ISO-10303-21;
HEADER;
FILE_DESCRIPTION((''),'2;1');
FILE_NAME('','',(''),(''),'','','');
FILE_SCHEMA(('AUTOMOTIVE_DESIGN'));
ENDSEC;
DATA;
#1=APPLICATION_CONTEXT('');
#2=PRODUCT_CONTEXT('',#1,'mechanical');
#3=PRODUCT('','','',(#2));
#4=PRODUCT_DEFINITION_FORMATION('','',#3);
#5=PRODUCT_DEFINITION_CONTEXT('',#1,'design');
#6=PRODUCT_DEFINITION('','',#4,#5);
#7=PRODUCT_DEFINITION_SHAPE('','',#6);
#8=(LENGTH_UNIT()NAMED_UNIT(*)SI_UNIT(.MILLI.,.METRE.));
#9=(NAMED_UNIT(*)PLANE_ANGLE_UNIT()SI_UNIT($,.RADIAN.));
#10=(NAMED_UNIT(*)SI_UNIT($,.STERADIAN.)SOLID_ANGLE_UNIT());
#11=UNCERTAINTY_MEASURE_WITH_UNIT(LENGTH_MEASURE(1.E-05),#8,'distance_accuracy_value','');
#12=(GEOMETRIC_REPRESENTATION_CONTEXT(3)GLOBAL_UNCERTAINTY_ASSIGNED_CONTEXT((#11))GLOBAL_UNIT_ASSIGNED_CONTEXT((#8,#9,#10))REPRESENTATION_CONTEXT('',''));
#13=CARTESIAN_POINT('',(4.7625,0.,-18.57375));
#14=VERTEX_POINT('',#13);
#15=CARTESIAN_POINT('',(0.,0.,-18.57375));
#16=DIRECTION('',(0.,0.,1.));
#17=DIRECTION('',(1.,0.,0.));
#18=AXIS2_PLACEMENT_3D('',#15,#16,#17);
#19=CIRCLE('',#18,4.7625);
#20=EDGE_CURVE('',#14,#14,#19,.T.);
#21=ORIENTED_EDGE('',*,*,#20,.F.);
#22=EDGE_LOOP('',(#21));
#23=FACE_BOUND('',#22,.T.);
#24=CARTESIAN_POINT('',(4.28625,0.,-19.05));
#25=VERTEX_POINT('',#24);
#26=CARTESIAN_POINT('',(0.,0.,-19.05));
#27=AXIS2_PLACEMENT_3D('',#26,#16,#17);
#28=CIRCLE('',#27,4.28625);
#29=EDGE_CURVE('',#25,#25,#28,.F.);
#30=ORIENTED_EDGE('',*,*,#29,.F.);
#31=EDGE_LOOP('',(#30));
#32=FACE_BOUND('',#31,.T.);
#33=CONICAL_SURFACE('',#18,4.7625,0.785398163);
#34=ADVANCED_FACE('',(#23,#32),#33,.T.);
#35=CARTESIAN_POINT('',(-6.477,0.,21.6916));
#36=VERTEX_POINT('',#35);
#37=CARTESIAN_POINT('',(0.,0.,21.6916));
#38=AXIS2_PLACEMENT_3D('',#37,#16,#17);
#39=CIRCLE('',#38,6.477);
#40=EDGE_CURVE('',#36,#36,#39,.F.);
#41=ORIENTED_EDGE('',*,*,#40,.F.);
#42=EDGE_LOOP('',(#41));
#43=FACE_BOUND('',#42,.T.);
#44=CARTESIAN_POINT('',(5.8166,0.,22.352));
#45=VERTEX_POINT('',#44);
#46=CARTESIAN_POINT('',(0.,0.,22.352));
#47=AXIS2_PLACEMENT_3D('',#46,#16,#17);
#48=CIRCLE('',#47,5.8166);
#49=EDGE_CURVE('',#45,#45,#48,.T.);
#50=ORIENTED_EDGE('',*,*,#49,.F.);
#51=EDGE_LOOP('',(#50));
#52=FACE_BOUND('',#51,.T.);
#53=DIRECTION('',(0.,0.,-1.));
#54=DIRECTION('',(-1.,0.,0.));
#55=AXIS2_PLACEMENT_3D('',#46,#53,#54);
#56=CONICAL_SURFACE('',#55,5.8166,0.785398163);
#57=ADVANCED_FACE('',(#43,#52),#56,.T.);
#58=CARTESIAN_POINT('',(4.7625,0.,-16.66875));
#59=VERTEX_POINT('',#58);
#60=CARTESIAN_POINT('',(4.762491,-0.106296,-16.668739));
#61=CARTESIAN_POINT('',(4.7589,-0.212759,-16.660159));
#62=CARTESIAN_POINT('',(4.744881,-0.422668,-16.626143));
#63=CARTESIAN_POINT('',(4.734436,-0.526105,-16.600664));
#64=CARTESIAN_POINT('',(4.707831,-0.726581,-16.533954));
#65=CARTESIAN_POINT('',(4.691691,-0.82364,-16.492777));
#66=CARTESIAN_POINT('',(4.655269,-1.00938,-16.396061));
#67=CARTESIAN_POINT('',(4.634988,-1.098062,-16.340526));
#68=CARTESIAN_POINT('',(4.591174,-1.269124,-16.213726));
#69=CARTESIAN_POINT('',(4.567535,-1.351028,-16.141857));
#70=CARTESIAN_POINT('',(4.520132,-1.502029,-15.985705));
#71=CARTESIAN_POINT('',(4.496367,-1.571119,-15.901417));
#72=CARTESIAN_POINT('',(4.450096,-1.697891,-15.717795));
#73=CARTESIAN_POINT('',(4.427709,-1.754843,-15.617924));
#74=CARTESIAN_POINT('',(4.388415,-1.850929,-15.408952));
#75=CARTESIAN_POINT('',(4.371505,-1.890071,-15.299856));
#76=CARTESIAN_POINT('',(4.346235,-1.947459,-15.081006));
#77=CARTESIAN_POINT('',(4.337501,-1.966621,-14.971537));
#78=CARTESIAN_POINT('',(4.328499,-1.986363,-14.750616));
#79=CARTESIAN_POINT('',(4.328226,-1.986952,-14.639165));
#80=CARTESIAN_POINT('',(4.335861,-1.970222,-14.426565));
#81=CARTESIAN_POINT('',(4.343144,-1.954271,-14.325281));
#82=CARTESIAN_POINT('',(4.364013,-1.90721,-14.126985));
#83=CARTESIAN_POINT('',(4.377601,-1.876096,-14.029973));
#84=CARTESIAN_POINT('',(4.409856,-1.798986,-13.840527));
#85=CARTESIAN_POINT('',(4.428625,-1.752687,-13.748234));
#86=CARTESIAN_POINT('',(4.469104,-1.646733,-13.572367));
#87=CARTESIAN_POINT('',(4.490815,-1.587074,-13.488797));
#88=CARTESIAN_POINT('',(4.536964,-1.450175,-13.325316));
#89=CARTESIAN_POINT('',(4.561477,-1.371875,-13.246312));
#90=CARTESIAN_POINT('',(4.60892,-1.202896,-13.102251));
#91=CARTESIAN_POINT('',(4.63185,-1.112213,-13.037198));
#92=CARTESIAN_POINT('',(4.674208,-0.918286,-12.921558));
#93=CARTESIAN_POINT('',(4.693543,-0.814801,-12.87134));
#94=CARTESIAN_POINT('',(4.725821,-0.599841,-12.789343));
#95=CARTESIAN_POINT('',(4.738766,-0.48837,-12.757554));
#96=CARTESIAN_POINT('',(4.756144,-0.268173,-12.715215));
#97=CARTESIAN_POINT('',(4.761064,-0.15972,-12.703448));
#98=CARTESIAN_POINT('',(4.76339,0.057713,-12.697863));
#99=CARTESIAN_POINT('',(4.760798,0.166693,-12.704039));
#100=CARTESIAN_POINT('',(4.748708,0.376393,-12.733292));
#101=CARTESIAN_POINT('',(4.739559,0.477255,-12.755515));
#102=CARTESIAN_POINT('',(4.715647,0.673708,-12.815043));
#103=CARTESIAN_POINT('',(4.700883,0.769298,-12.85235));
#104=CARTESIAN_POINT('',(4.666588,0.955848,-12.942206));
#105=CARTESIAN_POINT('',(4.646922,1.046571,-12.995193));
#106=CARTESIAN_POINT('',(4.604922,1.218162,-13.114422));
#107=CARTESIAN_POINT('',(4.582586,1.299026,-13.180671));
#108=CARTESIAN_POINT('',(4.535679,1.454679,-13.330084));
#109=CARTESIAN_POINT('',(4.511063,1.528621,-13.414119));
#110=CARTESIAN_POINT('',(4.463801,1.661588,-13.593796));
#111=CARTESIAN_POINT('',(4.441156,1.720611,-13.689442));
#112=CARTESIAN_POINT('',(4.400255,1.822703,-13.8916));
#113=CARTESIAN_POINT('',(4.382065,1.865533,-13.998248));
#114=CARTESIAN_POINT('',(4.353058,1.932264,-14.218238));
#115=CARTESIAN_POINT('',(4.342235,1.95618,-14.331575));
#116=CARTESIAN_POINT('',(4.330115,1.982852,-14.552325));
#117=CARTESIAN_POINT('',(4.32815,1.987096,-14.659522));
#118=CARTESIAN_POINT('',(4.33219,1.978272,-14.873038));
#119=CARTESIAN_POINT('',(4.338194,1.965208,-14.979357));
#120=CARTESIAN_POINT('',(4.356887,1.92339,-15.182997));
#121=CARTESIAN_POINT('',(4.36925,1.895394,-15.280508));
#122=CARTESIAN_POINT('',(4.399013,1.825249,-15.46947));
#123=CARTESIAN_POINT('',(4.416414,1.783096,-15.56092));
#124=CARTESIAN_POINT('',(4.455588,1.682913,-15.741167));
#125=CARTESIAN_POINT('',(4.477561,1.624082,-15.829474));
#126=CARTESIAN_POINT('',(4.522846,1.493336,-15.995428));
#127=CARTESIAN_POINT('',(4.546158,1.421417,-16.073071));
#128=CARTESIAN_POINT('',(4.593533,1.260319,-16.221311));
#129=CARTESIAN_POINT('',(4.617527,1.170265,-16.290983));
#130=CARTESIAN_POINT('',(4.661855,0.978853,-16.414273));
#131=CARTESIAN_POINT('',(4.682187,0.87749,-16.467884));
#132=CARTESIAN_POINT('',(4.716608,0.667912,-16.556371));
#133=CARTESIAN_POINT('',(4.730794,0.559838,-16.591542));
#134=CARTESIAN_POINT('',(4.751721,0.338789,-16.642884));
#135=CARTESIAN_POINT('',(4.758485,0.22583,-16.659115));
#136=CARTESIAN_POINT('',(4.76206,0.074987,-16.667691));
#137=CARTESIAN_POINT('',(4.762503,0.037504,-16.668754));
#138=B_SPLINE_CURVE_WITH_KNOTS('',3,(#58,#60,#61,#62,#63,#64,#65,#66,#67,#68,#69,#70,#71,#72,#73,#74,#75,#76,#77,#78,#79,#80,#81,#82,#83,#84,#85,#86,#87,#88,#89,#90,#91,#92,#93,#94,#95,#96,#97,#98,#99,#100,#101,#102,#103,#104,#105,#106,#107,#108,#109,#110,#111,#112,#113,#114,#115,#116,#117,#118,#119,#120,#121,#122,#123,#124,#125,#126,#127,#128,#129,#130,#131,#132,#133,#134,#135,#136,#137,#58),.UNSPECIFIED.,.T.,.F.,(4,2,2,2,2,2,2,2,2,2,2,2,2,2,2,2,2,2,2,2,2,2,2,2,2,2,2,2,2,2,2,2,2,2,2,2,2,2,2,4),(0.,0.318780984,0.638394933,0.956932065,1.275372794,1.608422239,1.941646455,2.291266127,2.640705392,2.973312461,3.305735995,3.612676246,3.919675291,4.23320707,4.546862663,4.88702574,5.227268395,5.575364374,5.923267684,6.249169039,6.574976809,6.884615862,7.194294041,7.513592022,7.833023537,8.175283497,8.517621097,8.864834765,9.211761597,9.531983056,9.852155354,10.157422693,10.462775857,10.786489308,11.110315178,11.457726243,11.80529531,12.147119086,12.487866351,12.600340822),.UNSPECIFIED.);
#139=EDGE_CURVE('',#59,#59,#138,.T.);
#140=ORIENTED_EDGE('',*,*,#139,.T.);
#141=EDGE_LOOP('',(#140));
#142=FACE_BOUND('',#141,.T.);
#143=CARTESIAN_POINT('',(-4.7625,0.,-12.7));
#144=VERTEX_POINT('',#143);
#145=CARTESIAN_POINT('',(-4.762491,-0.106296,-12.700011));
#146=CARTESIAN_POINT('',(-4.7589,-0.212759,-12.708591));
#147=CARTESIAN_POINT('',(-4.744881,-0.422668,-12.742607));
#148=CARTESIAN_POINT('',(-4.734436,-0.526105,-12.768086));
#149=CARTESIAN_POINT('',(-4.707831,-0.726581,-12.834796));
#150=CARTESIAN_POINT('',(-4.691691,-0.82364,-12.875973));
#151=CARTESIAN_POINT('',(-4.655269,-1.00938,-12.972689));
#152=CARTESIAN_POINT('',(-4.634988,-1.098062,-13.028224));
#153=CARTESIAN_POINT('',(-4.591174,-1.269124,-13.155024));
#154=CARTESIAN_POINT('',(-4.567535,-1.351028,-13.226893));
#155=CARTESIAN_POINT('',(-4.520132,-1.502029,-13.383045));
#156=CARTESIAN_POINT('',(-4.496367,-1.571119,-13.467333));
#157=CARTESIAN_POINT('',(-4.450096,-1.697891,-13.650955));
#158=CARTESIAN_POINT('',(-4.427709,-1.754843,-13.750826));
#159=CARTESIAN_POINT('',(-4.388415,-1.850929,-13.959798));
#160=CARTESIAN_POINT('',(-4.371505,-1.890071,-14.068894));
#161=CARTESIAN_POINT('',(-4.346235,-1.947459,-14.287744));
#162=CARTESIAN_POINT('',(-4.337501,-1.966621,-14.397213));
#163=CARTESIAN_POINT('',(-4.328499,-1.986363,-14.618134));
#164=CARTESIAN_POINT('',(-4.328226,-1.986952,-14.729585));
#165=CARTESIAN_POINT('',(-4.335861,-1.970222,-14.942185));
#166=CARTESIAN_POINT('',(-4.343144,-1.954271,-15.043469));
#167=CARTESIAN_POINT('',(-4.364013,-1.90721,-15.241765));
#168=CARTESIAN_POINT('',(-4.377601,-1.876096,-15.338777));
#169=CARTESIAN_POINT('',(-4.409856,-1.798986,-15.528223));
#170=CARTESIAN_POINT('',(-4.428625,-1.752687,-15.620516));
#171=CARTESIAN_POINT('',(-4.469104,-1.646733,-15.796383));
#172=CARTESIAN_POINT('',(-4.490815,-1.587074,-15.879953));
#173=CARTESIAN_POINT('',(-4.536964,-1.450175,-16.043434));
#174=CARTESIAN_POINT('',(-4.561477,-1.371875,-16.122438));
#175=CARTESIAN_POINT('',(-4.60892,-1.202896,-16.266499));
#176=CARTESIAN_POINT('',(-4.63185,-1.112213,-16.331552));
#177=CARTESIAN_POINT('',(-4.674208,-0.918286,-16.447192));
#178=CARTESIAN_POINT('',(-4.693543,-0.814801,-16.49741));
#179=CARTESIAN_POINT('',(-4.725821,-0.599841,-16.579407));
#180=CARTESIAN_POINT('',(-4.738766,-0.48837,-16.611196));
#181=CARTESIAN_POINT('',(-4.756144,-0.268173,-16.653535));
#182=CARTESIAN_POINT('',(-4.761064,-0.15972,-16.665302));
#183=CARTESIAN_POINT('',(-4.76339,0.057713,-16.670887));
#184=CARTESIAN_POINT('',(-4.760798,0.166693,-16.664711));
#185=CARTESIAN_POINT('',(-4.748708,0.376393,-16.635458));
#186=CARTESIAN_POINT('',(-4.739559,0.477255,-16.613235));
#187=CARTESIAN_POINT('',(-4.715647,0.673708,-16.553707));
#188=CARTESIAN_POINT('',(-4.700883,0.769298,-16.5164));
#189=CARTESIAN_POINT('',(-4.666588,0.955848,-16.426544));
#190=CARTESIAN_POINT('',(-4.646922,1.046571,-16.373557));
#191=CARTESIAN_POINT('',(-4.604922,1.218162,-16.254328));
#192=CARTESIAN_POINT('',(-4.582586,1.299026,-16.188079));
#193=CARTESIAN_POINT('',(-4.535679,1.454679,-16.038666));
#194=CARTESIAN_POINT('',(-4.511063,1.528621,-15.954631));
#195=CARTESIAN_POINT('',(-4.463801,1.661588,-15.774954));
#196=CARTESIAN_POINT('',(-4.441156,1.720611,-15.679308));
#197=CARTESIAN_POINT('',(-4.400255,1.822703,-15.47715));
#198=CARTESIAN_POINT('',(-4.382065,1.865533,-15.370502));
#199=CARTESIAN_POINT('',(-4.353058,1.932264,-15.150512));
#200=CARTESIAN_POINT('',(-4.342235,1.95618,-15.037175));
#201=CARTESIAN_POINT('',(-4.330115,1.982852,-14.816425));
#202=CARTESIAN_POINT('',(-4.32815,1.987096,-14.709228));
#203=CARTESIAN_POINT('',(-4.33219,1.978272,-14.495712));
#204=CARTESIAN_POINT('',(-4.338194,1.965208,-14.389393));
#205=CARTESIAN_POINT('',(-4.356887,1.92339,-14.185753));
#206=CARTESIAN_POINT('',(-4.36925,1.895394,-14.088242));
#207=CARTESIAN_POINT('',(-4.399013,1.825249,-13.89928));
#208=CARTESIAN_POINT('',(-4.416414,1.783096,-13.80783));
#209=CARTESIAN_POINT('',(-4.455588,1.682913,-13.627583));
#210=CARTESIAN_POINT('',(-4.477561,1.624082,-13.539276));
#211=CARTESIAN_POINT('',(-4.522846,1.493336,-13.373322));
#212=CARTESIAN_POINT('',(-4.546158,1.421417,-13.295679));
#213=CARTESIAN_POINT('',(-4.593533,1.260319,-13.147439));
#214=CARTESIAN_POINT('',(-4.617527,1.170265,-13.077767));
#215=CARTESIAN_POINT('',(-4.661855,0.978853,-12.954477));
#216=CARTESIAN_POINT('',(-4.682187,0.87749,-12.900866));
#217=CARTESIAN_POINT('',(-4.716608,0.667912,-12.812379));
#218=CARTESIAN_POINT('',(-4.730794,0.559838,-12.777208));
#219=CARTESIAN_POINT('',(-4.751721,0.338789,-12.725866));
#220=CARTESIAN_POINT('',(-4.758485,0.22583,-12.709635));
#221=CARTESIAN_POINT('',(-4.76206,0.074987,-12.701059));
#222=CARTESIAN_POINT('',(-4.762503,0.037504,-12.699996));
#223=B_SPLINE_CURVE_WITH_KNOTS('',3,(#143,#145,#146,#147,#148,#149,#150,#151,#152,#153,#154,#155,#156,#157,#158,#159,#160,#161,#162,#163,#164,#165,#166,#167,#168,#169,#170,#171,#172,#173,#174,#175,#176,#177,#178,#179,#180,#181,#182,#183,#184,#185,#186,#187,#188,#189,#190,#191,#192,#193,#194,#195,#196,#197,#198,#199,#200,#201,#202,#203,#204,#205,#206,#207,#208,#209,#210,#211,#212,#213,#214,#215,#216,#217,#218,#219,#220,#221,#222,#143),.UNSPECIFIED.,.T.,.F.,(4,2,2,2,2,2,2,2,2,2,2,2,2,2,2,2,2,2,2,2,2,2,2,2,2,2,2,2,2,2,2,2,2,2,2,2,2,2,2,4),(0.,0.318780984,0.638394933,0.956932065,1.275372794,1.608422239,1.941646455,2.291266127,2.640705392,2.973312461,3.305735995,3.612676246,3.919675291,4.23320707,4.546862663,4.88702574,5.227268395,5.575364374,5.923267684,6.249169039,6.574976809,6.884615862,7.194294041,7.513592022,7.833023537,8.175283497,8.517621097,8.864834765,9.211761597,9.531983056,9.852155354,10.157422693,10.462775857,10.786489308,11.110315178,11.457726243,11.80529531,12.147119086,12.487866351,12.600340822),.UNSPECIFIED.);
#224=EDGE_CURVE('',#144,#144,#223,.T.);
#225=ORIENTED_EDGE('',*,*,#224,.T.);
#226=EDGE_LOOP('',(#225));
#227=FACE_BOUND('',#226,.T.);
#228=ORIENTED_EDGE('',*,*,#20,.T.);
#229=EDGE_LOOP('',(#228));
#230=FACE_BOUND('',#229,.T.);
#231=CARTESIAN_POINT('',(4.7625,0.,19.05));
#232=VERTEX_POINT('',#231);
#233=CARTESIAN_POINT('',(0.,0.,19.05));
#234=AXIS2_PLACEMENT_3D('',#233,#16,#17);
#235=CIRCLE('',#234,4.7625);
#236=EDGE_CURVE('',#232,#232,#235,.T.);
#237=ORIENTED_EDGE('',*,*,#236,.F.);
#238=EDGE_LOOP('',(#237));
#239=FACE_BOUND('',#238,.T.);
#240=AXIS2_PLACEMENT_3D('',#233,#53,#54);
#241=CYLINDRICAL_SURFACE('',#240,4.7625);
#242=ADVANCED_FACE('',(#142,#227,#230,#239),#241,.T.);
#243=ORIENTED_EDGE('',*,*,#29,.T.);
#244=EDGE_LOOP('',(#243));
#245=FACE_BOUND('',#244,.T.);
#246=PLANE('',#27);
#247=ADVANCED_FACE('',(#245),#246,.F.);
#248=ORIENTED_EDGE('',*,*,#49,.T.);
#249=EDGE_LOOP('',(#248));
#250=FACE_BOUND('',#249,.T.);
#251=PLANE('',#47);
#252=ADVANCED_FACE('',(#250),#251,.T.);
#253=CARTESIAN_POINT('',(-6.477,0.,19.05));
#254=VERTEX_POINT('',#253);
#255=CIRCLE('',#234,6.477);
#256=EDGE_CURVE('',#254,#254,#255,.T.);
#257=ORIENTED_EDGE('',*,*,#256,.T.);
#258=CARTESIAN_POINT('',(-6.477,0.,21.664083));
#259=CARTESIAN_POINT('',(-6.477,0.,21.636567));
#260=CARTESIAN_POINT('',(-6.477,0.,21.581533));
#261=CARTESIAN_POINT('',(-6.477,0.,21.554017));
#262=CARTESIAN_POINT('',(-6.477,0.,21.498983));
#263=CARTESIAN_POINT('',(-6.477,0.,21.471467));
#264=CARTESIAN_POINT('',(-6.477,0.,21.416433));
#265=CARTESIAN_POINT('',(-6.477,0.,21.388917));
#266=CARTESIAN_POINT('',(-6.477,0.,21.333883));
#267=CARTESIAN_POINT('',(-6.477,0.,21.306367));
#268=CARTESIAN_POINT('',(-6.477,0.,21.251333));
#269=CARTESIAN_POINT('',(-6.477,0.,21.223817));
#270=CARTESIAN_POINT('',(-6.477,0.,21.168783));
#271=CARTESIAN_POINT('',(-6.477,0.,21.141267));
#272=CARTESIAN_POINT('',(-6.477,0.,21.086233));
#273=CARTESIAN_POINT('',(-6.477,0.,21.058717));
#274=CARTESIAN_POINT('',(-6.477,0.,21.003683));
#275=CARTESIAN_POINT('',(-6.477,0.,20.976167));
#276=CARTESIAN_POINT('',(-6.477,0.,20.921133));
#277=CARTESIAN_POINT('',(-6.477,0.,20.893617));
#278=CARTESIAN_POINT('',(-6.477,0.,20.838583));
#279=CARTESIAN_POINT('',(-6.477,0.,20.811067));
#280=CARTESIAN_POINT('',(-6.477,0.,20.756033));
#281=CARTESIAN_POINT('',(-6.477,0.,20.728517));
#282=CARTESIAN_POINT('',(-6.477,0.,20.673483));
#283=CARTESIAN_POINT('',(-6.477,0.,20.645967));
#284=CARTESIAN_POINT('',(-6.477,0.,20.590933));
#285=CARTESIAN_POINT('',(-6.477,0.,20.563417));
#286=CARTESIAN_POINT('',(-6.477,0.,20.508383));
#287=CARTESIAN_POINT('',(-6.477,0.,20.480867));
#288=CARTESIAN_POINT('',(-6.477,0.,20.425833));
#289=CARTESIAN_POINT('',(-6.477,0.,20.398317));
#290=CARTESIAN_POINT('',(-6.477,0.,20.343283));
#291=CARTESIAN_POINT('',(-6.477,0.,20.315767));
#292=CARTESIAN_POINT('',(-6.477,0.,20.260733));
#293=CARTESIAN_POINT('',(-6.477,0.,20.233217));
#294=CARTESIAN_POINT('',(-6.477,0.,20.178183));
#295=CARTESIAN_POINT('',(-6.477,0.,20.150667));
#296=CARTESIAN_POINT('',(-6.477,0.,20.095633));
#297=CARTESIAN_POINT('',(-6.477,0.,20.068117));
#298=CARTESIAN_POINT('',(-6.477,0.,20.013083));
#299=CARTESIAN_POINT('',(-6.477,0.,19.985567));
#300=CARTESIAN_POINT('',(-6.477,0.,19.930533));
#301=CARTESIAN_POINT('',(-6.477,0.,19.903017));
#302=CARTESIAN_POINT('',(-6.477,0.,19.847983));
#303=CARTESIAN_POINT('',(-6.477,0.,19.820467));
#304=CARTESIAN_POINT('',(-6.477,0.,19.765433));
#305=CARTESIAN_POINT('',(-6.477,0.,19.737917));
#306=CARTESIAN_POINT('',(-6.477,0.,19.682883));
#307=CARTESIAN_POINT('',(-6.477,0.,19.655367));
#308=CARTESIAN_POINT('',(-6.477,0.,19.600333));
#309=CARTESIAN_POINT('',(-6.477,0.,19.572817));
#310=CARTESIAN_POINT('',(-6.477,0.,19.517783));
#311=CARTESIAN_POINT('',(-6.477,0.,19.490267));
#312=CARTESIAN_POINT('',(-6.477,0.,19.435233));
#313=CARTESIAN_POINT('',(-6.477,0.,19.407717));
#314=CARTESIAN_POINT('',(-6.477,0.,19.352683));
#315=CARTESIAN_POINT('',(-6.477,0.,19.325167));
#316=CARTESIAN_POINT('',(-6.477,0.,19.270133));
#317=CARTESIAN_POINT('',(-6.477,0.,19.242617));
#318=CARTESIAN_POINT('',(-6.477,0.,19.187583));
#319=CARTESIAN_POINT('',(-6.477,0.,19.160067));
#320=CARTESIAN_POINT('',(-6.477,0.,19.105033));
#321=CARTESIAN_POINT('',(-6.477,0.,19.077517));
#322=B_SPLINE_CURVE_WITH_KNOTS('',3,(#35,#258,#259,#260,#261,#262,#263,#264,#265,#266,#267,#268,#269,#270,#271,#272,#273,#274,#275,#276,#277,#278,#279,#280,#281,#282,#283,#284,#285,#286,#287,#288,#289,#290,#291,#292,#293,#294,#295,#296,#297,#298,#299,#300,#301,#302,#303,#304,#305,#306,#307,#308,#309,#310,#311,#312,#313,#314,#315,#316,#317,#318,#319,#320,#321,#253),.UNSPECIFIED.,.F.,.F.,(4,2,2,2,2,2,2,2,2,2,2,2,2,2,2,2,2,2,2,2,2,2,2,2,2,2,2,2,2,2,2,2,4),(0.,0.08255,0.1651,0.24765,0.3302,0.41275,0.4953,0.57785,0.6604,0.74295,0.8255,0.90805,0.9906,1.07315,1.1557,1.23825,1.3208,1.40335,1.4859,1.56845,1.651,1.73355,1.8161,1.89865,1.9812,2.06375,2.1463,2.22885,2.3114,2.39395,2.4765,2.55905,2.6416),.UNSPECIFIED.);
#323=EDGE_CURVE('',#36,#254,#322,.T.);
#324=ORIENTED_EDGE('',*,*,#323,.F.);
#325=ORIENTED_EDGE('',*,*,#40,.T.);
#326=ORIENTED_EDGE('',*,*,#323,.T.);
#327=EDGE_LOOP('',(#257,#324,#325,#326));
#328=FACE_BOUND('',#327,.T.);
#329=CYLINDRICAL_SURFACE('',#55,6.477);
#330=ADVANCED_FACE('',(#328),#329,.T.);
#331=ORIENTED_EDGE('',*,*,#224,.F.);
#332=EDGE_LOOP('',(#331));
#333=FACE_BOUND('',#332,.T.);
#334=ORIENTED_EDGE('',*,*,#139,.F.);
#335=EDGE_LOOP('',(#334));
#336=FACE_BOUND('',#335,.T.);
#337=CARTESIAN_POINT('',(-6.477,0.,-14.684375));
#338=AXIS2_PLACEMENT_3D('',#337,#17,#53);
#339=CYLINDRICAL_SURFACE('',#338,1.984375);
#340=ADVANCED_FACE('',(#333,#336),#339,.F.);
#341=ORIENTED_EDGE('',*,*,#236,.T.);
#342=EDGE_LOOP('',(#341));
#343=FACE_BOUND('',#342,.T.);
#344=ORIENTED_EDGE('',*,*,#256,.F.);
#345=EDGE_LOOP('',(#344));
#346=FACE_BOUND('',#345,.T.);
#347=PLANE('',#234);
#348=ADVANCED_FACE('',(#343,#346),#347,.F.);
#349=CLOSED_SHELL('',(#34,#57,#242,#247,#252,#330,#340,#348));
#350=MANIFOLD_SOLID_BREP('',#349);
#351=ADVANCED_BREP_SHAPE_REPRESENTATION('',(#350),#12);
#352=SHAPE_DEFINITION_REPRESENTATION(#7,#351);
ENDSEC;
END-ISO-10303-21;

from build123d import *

# Parameters (mm, degrees)
SKETCH1_R           = 4.7625
EXTRUDE1_DEPTH      = 19.05
SKETCH2_R           = 6.477
EXTRUDE2_DEPTH      = 3.302
CHAMFER1_SIZE       = 0.6604
EXTRUDE3_DEPTH      = 25.156054355
EXTRUDE3_DEPTH_BACK = 25.156054355
SKETCH3_R           = 1.984375
CHAMFER2_SIZE       = 0.47625


with BuildPart() as part:
    # Sketch1 → Extrude1 (new, symmetric)
    with BuildSketch(Plane.XY):
        with Locations(Location((0, 0, 0), (0, 0, 180))):
            Circle(SKETCH1_R)
    extrude(amount=EXTRUDE1_DEPTH, both=True)

    # Sketch2 → Extrude2 (add)
    with BuildSketch(Plane.XY.offset(19.05)):
        with Locations(Location((0, 0, 0), (0, 0, 180))):
            Circle(SKETCH2_R)
    extrude(amount=EXTRUDE2_DEPTH)

    # Chamfer1
    chamfer1_edges = [part.edges().sort_by_distance(p)[0] for p in [
        (6.477, 0, 22.352),
    ]]
    chamfer(chamfer1_edges, length=CHAMFER1_SIZE)

    # Sketch3 → Extrude3 (cut, two sides: drawn at the far end of the back side and taken through both)
    with BuildSketch(Plane(origin=(0, 0, 0), x_dir=(0, 0, -1), z_dir=(1, 0, 0)).offset(-EXTRUDE3_DEPTH_BACK)):
        with Locations(Location((14.684375, 0, 0), (0, 0, 180.000000002))):
            Circle(SKETCH3_R)
    extrude(amount=EXTRUDE3_DEPTH + EXTRUDE3_DEPTH_BACK, mode=Mode.SUBTRACT)

    # Chamfer2
    chamfer2_edges = [part.edges().sort_by_distance(p)[0] for p in [
        (4.7625, 0, -19.05),
    ]]
    chamfer(chamfer2_edges, length=CHAMFER2_SIZE)


solid = part.part
